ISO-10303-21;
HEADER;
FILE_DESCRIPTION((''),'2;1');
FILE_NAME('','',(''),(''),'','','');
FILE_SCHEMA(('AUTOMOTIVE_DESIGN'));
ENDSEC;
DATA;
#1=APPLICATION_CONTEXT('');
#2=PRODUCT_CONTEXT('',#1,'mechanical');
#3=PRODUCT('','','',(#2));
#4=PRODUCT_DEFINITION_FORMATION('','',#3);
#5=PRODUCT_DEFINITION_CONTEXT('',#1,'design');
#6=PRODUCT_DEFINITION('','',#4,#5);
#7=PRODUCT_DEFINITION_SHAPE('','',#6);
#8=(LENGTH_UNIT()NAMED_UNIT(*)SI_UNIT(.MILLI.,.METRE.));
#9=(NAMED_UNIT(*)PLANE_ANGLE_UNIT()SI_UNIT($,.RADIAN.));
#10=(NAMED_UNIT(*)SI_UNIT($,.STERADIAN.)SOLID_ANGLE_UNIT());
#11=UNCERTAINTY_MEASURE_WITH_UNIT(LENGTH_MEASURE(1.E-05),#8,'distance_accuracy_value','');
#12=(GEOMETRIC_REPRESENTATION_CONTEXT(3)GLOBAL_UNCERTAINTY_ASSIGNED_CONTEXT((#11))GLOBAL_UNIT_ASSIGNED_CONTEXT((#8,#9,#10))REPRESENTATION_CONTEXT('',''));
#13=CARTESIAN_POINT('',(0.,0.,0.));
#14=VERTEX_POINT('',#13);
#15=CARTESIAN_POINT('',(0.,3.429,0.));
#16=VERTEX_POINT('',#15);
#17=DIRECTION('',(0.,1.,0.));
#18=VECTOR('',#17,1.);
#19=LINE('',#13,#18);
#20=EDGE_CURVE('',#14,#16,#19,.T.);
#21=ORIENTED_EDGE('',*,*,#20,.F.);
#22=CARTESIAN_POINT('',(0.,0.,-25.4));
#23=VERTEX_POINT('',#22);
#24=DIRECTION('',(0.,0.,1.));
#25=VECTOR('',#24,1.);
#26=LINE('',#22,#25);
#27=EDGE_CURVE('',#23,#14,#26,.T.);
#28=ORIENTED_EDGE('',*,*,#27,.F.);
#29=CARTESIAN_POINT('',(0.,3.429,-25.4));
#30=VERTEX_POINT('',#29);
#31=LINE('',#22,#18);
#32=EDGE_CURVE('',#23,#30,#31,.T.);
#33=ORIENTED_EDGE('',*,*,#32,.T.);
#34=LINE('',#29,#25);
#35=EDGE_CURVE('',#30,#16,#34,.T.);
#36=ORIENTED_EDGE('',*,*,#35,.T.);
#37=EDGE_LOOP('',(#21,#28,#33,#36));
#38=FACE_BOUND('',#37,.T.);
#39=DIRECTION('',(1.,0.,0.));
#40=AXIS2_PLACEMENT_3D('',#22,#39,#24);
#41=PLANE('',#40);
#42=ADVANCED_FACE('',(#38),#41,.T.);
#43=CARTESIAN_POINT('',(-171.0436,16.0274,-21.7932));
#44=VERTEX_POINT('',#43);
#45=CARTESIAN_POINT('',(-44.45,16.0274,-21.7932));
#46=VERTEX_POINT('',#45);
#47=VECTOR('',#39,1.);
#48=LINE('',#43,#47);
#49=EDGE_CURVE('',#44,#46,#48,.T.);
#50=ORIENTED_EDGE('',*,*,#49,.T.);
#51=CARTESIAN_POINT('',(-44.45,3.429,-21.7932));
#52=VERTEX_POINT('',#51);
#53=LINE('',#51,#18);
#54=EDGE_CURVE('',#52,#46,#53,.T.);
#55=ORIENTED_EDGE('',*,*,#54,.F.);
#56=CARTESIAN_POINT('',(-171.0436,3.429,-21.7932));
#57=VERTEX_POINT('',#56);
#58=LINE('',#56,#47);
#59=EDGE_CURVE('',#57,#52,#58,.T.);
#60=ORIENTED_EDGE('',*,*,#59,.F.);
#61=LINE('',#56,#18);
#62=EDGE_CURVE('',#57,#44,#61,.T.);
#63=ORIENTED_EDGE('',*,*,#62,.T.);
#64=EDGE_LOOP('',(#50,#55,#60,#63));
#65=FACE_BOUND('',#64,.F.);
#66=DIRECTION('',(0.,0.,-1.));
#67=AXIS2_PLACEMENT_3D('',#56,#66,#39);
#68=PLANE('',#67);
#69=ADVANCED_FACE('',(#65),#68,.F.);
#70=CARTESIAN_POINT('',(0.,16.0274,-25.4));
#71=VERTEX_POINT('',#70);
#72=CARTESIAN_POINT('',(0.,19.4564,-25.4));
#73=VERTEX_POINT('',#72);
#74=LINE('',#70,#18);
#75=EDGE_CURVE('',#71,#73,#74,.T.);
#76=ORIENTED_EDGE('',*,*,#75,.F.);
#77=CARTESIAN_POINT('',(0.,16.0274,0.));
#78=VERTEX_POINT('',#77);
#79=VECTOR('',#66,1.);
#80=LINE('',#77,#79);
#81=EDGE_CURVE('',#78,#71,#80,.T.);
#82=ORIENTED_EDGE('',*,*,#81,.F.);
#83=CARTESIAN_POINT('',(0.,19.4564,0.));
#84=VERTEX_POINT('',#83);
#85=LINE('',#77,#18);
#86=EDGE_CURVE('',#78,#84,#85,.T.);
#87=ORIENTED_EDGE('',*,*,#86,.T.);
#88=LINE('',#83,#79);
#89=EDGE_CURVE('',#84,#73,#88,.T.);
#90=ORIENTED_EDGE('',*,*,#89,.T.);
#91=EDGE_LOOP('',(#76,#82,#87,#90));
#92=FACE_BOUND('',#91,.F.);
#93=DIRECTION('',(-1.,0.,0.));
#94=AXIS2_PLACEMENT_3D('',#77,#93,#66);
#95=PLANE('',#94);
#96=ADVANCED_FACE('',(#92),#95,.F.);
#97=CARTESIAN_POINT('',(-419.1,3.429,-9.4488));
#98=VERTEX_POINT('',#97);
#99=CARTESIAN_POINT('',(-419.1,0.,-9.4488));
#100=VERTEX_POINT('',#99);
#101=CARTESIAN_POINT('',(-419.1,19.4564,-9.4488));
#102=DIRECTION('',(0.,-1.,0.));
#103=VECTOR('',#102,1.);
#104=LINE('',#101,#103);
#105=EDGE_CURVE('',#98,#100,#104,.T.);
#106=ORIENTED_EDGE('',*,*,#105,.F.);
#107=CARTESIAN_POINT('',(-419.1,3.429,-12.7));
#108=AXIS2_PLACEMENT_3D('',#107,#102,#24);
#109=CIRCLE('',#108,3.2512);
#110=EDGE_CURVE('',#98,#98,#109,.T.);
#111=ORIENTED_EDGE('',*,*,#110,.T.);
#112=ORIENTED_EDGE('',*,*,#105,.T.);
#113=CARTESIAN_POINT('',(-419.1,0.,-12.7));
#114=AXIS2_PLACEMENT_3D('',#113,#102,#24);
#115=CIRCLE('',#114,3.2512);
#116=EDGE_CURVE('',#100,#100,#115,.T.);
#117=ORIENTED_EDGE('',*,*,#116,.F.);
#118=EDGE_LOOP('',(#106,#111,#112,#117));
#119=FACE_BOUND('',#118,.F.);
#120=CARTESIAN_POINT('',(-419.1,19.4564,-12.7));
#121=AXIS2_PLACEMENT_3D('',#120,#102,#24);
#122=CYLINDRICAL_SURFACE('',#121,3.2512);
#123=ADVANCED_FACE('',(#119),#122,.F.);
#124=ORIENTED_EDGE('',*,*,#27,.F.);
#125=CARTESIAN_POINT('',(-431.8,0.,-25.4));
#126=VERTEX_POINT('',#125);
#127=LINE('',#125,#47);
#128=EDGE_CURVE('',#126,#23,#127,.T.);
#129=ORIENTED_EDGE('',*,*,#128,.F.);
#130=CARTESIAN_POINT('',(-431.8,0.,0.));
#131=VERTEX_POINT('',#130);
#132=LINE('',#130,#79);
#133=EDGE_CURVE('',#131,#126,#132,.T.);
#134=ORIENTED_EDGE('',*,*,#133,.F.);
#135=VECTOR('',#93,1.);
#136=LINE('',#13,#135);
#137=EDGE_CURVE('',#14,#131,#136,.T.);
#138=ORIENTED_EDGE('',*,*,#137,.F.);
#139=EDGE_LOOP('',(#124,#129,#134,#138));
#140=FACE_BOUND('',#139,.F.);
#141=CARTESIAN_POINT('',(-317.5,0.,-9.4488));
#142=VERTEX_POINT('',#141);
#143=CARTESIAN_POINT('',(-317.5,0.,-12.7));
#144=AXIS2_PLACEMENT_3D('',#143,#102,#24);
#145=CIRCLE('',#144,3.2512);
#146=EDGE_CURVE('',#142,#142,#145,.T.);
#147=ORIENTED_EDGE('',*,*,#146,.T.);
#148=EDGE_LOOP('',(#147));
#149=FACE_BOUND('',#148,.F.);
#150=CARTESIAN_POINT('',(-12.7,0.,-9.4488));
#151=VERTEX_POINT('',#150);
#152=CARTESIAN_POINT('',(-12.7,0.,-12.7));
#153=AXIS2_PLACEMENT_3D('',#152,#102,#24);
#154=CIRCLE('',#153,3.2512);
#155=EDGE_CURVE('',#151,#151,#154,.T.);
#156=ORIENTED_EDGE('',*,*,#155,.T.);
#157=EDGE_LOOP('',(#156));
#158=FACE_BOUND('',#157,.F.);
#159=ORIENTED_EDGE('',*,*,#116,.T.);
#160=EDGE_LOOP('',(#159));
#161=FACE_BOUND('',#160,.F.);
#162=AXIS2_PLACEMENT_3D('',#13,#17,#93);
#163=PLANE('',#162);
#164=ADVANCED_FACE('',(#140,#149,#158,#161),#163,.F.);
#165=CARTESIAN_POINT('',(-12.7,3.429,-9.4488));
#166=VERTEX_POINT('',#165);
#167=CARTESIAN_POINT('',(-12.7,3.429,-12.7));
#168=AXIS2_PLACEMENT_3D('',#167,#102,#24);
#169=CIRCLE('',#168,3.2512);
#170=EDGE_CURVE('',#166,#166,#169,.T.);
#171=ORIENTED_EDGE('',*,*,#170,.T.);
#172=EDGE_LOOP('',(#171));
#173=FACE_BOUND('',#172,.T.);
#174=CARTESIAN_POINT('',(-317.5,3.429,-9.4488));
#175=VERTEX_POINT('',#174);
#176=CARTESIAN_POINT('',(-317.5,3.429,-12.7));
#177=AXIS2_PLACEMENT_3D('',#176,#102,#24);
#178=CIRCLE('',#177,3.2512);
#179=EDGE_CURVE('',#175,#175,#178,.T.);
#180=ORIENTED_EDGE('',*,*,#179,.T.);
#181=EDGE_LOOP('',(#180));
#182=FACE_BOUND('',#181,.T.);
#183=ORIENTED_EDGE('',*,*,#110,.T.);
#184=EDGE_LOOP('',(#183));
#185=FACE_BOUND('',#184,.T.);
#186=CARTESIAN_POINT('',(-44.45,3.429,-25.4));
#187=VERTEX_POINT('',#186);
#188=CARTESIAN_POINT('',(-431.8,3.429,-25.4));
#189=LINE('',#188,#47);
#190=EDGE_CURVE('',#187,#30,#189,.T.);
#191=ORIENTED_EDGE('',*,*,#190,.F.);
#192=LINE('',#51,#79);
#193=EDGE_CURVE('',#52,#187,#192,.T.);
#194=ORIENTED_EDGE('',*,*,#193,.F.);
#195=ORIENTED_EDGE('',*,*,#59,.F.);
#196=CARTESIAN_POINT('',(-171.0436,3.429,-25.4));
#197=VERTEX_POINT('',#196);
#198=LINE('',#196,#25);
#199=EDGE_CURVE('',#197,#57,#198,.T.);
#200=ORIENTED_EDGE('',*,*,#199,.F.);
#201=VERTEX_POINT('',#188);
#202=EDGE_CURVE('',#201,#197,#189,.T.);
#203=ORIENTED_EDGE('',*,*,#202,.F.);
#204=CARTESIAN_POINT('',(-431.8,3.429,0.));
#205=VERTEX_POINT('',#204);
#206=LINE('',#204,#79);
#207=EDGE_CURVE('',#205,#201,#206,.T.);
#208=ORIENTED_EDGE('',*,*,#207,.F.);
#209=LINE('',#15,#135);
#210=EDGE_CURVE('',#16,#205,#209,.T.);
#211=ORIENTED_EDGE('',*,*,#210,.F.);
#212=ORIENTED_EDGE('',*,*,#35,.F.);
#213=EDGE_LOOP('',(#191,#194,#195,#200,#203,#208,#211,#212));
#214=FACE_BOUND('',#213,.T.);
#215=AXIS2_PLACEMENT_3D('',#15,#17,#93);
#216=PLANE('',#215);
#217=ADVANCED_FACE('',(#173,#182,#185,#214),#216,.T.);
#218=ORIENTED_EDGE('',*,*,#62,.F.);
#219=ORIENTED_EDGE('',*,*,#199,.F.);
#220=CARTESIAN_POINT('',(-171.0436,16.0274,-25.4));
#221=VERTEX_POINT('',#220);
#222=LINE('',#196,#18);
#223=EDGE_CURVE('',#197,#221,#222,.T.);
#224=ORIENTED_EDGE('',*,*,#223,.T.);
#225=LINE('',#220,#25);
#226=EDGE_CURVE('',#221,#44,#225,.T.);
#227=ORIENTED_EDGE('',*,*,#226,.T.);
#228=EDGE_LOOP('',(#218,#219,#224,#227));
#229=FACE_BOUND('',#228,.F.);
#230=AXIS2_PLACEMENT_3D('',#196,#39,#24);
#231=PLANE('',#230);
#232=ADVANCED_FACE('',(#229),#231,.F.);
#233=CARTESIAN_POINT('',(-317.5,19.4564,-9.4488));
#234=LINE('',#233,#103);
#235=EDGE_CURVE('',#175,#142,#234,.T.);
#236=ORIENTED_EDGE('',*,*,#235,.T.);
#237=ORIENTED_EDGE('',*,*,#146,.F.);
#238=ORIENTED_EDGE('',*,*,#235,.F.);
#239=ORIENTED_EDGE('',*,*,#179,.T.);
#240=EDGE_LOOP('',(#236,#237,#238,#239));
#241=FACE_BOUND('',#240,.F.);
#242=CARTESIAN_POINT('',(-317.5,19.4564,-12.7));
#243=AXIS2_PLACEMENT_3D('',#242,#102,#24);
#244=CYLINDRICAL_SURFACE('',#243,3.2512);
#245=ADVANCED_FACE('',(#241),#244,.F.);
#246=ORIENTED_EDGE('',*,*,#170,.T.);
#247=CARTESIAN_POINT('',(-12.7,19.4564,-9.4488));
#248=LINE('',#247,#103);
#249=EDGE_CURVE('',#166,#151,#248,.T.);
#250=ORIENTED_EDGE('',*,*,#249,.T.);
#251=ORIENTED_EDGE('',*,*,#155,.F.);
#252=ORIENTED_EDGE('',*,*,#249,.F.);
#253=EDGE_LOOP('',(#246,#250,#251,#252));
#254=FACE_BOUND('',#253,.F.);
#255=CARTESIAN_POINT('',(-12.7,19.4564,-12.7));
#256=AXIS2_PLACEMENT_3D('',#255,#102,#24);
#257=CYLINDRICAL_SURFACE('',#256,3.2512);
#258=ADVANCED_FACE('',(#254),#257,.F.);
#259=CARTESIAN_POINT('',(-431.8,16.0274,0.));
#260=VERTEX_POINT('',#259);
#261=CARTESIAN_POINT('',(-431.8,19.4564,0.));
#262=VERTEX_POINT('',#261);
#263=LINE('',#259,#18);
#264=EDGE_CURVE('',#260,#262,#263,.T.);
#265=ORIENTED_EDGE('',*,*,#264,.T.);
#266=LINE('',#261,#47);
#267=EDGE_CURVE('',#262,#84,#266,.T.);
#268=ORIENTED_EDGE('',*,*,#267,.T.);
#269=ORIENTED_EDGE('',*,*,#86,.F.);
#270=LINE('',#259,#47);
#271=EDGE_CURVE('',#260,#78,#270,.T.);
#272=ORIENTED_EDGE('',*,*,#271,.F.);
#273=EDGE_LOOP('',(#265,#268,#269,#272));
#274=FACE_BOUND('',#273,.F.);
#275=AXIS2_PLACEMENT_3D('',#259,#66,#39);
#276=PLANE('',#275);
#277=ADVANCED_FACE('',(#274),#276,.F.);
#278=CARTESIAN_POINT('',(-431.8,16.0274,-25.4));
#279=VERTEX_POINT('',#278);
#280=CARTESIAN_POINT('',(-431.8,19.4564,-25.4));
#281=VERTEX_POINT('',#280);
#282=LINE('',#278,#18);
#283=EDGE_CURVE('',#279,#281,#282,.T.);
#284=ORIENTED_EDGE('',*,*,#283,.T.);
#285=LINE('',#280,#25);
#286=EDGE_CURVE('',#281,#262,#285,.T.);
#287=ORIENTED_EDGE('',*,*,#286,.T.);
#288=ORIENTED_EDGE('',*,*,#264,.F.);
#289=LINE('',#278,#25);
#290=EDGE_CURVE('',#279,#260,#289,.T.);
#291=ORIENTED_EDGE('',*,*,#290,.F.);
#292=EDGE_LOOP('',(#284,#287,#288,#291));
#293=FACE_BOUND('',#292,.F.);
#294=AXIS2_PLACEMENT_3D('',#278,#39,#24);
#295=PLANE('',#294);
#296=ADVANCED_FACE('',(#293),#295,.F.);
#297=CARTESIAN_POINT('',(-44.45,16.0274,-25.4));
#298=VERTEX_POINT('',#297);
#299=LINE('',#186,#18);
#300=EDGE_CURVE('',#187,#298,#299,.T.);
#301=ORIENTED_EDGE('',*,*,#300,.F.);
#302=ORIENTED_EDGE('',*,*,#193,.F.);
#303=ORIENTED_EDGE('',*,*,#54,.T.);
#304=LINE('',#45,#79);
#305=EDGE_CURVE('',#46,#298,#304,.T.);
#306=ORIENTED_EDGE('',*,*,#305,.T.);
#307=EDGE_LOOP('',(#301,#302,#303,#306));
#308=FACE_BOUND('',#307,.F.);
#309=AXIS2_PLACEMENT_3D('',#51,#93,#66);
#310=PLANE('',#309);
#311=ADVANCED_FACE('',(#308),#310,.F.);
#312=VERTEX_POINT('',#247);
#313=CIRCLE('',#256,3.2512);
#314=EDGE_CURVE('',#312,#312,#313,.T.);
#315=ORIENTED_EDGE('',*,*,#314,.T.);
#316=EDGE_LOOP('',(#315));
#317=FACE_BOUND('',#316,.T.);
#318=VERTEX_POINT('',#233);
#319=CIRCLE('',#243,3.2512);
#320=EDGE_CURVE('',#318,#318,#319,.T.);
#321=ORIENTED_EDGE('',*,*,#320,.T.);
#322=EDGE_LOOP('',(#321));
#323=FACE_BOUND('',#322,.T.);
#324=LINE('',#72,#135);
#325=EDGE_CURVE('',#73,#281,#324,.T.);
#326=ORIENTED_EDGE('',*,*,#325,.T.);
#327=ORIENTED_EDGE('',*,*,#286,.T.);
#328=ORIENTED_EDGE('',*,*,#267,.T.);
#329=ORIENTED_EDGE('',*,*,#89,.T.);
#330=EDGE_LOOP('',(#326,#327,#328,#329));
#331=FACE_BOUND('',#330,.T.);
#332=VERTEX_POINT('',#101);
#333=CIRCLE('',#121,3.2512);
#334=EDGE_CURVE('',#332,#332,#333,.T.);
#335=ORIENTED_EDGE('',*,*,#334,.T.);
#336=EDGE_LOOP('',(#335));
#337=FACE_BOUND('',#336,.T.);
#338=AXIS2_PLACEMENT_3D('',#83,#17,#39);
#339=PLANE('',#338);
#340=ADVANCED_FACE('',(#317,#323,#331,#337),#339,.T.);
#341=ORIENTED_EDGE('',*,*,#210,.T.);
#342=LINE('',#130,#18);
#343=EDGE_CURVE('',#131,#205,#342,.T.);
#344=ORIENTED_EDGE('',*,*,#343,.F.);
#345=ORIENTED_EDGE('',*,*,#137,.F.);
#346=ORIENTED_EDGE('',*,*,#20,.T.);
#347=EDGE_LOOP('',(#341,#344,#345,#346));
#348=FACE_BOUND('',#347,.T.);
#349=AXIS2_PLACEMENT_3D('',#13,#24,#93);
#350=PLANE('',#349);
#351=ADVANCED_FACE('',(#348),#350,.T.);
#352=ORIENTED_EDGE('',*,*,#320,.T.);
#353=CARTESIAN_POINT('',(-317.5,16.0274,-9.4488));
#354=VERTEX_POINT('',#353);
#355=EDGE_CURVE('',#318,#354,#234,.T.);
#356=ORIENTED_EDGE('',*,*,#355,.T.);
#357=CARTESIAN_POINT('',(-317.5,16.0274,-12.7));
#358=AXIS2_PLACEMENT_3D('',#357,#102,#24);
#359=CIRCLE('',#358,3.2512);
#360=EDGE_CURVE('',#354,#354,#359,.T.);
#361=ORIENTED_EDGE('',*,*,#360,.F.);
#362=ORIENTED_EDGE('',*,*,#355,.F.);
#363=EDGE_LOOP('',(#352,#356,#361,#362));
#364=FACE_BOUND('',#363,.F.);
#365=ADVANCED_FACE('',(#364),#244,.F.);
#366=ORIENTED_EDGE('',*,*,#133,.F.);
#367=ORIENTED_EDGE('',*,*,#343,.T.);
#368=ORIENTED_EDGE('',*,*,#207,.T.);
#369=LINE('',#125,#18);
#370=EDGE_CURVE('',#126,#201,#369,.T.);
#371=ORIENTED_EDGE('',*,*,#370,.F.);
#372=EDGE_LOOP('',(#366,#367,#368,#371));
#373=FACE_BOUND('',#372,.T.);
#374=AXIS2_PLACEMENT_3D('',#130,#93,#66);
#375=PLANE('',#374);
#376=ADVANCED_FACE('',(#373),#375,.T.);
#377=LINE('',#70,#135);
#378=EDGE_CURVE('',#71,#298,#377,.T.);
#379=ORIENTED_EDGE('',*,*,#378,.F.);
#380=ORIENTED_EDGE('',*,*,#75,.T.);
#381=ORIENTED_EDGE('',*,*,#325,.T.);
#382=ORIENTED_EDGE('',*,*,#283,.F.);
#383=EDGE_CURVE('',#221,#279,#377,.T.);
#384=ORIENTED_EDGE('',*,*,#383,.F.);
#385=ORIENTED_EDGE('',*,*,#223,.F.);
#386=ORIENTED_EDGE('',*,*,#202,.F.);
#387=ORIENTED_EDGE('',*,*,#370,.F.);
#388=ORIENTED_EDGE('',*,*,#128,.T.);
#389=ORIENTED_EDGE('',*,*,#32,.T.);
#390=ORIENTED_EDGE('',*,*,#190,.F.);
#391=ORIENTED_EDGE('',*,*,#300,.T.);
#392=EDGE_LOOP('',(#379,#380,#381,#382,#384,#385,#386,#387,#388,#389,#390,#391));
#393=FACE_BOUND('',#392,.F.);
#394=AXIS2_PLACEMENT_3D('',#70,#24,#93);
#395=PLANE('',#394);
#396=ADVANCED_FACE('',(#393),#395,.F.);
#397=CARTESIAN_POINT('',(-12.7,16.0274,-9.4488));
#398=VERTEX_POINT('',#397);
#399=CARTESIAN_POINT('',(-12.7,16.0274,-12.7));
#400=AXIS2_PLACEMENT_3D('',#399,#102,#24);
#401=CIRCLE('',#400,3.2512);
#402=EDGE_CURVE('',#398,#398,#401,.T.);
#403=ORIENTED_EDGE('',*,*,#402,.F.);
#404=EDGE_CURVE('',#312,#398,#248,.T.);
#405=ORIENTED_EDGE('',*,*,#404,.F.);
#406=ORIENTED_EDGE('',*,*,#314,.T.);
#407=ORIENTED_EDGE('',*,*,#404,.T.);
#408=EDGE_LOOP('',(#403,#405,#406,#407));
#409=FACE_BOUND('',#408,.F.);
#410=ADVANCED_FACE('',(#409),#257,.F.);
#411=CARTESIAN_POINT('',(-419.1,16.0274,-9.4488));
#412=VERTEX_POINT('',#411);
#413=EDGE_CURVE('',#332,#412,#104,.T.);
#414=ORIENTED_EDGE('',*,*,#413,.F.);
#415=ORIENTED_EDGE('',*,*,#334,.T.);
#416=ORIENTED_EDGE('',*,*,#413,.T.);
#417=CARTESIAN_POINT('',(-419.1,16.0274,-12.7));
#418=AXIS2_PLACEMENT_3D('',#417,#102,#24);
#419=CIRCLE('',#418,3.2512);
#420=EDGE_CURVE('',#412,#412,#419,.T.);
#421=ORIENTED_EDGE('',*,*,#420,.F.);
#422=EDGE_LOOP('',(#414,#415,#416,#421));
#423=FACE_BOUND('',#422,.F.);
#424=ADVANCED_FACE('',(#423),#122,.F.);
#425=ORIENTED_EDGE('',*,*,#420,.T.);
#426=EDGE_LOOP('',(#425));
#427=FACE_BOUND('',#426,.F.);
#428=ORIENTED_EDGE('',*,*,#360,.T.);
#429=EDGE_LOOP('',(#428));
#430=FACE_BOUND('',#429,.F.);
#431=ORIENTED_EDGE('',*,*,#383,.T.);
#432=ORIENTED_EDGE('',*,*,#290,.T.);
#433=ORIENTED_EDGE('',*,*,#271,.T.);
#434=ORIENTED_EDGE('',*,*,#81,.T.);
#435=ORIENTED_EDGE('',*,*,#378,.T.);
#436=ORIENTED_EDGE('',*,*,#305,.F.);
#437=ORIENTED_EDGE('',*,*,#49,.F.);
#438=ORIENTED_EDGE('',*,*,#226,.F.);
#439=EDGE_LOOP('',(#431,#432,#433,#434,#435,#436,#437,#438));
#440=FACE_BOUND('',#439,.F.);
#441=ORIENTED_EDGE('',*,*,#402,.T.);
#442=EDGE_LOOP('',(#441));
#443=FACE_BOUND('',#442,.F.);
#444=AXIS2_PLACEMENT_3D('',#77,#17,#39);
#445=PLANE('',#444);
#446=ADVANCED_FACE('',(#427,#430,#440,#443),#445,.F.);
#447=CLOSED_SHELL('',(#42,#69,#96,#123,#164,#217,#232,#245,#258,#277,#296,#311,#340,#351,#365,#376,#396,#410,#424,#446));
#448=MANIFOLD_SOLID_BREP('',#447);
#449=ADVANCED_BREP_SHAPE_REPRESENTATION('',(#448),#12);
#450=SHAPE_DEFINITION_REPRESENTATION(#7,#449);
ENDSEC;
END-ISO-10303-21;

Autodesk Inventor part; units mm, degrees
ref_plane "YZ Plane" through (0, 0, 0) normal (1, 0, 0) x (0, 1, 0)
ref_plane "XZ Plane" through (0, 0, 0) normal (0, 1, 0) x (-1, 0, 0)
ref_plane "XY Plane" through (0, 0, 0) normal (0, 0, 1) x (1, 0, 0)
sketch "Sketch1" plane through (0, 0, 0) normal (0, 1, 0) x (-1, 0, 0)
  line L0 (0, 0) -> (431.8, 0)
  line L1 (431.8, 0) -> (431.8, -25.4)
  line L2 (431.8, -25.4) -> (0, -25.4)
  line L3 (0, -25.4) -> (0, 0)
  dimension "d0" = 431.8
  dimension "d1" = 25.4
extrude "Extrusion1" add sketch "Sketch1" along normal blind 3.429
sketch "Sketch2" plane through (0, 3.429, 0) normal (0, 1, 0) x (1, 0, 0)
  line L0 (0, 25.4) -> (-431.8, 25.4) projected
  line L1 (-44.45, 25.4) -> (-171.0436, 25.4)
  line L2 (-171.0436, 25.4) -> (-171.0436, 21.7932)
  line L3 (-171.0436, 21.7932) -> (-44.45, 21.7932)
  line L4 (-44.45, 21.7932) -> (-44.45, 25.4)
  line L5 (0, 0) -> (0, 25.4) projected
  point P0 (-44.45, 23.5966)
  dimension "d4" = 126.5936
  dimension "d5" = 3.6068
  dimension "d6" = 44.45
extrude "Extrusion2" add sketch "Sketch2" along normal blind 12.5984
sketch "Sketch3" plane through (0, 16.0274, 0) normal (0, 1, 0) x (1, 0, 0)
  line L0 (-431.8, 0) -> (0, 0)
  line L1 (0, 0) -> (0, 25.4)
  line L2 (0, 25.4) -> (-431.8, 25.4)
  line L3 (-431.8, 25.4) -> (-431.8, 0)
extrude "Extrusion3" add sketch "Sketch3" along normal blind 3.429
sketch "Sketch4" plane through (0, 19.4564, 0) normal (0, 1, 0) x (1, 0, 0)
  line L0 (0, 25.4) -> (-431.8, 25.4) projected
  line L1 (0, 0) -> (0, 25.4) projected
  line L2 (-431.8, 25.4) -> (-431.8, 0) projected
  point P0 (-12.7, 12.7)
  point P1 (-419.1, 12.7)
  point P2 (-317.5, 12.7)
  dimension "d11" = 12.7
  dimension "d12" = 12.7
  dimension "d13" = 12.7
  dimension "d14" = 12.7
  dimension "d15" = 12.7
  dimension "d24" = 114.3
hole "Hole1" at (-12.7, 19.4564, -12.7) at (-419.1, 19.4564, -12.7) at (-317.5, 19.4564, -12.7) direction (0, -1, 0) diameter 6.5024 end through all
sketch "Sketch5" plane through (0, 19.4564, 0) normal (0, 1, 0) x (1, 0, 0)
  point P0 (0, 0)
properties part number "ArmPart2.1"
